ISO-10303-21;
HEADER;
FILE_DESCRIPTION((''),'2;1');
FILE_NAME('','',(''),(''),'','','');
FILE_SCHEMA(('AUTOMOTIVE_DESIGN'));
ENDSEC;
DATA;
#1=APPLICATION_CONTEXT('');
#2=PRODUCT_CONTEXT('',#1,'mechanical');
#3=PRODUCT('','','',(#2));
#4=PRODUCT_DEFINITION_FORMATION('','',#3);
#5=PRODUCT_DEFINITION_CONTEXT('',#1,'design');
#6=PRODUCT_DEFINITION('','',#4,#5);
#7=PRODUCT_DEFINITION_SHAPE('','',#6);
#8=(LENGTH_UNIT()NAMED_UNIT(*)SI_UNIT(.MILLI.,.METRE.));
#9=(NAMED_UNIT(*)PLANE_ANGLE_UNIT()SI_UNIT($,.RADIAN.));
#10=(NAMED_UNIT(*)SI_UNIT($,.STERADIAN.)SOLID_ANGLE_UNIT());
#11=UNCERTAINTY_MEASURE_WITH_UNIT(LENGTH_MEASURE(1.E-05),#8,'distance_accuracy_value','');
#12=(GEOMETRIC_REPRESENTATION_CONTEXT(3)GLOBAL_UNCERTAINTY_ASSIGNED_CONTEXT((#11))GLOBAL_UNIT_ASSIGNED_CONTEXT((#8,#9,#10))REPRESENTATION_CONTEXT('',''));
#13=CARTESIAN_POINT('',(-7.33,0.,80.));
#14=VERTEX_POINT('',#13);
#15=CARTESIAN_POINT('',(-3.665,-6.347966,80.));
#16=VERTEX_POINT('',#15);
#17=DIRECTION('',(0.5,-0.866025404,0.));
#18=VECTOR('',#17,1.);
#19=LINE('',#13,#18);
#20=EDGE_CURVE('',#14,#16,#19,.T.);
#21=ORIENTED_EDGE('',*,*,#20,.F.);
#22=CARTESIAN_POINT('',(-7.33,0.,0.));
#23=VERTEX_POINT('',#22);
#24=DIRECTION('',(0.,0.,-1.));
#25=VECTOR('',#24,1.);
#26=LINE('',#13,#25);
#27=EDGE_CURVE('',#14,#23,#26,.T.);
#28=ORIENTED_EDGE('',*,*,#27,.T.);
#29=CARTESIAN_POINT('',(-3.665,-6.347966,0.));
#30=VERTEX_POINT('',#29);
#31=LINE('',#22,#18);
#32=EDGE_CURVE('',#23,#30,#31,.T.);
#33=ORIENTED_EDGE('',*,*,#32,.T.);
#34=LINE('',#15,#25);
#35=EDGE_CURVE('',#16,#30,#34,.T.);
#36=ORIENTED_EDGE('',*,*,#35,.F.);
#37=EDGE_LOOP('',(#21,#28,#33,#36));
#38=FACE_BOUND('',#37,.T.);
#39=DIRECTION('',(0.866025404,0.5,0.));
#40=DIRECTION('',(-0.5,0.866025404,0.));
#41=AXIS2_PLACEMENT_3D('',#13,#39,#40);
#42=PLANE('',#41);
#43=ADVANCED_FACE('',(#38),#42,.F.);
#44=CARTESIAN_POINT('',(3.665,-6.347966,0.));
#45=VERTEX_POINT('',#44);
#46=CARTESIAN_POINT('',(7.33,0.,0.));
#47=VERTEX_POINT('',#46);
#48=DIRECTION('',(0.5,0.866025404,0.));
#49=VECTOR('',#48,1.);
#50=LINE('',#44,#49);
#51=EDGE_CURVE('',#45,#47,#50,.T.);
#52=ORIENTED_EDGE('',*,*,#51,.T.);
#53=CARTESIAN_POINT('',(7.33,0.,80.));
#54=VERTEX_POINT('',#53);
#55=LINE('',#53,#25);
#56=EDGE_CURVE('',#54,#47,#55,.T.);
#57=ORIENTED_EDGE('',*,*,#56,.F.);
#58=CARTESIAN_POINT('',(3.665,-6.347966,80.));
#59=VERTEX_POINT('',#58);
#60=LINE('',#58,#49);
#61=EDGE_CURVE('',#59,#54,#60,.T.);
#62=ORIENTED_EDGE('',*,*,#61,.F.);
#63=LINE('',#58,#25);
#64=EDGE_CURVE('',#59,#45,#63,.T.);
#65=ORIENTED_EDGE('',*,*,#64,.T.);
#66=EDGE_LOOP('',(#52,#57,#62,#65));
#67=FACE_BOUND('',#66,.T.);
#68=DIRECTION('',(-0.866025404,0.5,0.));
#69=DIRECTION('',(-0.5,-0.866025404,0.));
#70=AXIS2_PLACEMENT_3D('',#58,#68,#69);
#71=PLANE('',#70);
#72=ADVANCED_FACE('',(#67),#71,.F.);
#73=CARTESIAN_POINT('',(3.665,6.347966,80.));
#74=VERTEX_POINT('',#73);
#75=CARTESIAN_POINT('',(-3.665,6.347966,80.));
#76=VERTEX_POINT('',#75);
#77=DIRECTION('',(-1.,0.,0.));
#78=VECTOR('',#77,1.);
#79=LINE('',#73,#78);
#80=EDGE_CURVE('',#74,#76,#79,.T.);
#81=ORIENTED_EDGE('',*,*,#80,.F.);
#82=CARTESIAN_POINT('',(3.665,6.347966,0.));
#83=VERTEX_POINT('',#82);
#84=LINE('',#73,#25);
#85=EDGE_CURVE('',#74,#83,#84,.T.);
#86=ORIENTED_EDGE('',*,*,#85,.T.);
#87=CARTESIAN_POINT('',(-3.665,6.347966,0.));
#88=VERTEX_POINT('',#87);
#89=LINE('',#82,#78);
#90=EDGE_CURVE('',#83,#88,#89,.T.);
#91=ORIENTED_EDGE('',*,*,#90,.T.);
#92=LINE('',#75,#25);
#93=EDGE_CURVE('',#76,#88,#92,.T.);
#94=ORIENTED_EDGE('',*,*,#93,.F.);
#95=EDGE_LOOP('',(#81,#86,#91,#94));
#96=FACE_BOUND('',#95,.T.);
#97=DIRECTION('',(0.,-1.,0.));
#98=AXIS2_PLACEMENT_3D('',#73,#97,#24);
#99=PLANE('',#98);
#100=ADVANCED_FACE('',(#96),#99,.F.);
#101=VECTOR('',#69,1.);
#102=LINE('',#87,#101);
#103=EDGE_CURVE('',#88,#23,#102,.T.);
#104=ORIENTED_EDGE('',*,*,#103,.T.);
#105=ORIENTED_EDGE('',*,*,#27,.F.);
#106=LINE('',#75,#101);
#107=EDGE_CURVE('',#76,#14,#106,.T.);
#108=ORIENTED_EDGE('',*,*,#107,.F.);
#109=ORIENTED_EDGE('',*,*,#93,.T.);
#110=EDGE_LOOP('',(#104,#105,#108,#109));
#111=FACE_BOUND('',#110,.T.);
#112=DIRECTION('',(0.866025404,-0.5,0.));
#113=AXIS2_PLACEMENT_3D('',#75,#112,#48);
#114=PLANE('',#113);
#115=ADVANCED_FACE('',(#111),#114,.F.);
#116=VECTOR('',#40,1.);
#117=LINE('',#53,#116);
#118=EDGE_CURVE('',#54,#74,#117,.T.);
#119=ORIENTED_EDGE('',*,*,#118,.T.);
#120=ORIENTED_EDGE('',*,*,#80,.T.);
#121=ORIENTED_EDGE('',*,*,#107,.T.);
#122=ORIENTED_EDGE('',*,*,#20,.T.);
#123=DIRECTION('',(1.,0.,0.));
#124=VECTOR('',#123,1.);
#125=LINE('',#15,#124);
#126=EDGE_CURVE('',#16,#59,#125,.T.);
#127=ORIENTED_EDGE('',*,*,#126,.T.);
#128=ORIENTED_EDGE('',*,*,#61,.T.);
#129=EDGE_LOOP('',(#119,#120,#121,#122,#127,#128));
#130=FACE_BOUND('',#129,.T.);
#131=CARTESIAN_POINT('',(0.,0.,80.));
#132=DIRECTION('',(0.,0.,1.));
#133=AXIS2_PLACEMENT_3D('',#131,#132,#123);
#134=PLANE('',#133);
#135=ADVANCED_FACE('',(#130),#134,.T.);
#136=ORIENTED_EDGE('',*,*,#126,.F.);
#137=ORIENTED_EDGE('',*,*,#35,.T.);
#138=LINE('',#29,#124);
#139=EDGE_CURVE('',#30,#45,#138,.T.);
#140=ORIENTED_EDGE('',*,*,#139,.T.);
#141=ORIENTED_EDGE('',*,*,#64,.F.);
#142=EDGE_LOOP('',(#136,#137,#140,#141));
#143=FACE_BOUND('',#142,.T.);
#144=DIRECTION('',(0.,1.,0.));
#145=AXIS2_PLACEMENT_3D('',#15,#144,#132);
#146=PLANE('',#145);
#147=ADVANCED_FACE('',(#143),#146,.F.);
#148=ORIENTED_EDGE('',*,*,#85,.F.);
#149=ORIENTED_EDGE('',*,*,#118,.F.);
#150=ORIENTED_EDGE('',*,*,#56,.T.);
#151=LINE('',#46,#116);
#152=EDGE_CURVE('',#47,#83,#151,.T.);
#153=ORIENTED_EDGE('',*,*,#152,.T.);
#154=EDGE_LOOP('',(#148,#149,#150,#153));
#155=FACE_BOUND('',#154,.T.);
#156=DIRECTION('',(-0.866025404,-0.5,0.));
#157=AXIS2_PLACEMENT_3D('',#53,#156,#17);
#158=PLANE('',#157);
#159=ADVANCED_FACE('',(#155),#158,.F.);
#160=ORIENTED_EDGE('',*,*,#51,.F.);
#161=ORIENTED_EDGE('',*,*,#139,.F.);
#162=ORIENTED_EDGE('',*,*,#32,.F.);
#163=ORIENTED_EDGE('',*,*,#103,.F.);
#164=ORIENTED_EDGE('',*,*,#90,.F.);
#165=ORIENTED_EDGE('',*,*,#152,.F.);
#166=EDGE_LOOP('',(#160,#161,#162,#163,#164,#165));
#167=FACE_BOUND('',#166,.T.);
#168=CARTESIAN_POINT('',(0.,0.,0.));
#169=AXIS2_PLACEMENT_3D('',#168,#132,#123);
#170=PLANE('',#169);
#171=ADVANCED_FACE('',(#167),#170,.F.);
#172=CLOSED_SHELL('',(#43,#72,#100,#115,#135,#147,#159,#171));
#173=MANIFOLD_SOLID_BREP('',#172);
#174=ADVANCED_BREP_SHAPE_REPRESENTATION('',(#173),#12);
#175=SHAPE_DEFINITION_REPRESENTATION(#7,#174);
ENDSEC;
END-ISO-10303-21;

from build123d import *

# Parameters (mm, degrees)
BOSS_EXTRUDE1_DEPTH = 80


with BuildPart() as part:
    # Sketch1 → Boss-Extrude1 (new body)
    with BuildSketch(Plane.XY):
        Polygon((-3.665, 6.34796621), (-7.33, 0), (-3.665, -6.34796621), (3.665, -6.34796621), (7.33, 0), (3.665, 6.34796621), align=None)
    extrude(amount=BOSS_EXTRUDE1_DEPTH)


solid = part.part
